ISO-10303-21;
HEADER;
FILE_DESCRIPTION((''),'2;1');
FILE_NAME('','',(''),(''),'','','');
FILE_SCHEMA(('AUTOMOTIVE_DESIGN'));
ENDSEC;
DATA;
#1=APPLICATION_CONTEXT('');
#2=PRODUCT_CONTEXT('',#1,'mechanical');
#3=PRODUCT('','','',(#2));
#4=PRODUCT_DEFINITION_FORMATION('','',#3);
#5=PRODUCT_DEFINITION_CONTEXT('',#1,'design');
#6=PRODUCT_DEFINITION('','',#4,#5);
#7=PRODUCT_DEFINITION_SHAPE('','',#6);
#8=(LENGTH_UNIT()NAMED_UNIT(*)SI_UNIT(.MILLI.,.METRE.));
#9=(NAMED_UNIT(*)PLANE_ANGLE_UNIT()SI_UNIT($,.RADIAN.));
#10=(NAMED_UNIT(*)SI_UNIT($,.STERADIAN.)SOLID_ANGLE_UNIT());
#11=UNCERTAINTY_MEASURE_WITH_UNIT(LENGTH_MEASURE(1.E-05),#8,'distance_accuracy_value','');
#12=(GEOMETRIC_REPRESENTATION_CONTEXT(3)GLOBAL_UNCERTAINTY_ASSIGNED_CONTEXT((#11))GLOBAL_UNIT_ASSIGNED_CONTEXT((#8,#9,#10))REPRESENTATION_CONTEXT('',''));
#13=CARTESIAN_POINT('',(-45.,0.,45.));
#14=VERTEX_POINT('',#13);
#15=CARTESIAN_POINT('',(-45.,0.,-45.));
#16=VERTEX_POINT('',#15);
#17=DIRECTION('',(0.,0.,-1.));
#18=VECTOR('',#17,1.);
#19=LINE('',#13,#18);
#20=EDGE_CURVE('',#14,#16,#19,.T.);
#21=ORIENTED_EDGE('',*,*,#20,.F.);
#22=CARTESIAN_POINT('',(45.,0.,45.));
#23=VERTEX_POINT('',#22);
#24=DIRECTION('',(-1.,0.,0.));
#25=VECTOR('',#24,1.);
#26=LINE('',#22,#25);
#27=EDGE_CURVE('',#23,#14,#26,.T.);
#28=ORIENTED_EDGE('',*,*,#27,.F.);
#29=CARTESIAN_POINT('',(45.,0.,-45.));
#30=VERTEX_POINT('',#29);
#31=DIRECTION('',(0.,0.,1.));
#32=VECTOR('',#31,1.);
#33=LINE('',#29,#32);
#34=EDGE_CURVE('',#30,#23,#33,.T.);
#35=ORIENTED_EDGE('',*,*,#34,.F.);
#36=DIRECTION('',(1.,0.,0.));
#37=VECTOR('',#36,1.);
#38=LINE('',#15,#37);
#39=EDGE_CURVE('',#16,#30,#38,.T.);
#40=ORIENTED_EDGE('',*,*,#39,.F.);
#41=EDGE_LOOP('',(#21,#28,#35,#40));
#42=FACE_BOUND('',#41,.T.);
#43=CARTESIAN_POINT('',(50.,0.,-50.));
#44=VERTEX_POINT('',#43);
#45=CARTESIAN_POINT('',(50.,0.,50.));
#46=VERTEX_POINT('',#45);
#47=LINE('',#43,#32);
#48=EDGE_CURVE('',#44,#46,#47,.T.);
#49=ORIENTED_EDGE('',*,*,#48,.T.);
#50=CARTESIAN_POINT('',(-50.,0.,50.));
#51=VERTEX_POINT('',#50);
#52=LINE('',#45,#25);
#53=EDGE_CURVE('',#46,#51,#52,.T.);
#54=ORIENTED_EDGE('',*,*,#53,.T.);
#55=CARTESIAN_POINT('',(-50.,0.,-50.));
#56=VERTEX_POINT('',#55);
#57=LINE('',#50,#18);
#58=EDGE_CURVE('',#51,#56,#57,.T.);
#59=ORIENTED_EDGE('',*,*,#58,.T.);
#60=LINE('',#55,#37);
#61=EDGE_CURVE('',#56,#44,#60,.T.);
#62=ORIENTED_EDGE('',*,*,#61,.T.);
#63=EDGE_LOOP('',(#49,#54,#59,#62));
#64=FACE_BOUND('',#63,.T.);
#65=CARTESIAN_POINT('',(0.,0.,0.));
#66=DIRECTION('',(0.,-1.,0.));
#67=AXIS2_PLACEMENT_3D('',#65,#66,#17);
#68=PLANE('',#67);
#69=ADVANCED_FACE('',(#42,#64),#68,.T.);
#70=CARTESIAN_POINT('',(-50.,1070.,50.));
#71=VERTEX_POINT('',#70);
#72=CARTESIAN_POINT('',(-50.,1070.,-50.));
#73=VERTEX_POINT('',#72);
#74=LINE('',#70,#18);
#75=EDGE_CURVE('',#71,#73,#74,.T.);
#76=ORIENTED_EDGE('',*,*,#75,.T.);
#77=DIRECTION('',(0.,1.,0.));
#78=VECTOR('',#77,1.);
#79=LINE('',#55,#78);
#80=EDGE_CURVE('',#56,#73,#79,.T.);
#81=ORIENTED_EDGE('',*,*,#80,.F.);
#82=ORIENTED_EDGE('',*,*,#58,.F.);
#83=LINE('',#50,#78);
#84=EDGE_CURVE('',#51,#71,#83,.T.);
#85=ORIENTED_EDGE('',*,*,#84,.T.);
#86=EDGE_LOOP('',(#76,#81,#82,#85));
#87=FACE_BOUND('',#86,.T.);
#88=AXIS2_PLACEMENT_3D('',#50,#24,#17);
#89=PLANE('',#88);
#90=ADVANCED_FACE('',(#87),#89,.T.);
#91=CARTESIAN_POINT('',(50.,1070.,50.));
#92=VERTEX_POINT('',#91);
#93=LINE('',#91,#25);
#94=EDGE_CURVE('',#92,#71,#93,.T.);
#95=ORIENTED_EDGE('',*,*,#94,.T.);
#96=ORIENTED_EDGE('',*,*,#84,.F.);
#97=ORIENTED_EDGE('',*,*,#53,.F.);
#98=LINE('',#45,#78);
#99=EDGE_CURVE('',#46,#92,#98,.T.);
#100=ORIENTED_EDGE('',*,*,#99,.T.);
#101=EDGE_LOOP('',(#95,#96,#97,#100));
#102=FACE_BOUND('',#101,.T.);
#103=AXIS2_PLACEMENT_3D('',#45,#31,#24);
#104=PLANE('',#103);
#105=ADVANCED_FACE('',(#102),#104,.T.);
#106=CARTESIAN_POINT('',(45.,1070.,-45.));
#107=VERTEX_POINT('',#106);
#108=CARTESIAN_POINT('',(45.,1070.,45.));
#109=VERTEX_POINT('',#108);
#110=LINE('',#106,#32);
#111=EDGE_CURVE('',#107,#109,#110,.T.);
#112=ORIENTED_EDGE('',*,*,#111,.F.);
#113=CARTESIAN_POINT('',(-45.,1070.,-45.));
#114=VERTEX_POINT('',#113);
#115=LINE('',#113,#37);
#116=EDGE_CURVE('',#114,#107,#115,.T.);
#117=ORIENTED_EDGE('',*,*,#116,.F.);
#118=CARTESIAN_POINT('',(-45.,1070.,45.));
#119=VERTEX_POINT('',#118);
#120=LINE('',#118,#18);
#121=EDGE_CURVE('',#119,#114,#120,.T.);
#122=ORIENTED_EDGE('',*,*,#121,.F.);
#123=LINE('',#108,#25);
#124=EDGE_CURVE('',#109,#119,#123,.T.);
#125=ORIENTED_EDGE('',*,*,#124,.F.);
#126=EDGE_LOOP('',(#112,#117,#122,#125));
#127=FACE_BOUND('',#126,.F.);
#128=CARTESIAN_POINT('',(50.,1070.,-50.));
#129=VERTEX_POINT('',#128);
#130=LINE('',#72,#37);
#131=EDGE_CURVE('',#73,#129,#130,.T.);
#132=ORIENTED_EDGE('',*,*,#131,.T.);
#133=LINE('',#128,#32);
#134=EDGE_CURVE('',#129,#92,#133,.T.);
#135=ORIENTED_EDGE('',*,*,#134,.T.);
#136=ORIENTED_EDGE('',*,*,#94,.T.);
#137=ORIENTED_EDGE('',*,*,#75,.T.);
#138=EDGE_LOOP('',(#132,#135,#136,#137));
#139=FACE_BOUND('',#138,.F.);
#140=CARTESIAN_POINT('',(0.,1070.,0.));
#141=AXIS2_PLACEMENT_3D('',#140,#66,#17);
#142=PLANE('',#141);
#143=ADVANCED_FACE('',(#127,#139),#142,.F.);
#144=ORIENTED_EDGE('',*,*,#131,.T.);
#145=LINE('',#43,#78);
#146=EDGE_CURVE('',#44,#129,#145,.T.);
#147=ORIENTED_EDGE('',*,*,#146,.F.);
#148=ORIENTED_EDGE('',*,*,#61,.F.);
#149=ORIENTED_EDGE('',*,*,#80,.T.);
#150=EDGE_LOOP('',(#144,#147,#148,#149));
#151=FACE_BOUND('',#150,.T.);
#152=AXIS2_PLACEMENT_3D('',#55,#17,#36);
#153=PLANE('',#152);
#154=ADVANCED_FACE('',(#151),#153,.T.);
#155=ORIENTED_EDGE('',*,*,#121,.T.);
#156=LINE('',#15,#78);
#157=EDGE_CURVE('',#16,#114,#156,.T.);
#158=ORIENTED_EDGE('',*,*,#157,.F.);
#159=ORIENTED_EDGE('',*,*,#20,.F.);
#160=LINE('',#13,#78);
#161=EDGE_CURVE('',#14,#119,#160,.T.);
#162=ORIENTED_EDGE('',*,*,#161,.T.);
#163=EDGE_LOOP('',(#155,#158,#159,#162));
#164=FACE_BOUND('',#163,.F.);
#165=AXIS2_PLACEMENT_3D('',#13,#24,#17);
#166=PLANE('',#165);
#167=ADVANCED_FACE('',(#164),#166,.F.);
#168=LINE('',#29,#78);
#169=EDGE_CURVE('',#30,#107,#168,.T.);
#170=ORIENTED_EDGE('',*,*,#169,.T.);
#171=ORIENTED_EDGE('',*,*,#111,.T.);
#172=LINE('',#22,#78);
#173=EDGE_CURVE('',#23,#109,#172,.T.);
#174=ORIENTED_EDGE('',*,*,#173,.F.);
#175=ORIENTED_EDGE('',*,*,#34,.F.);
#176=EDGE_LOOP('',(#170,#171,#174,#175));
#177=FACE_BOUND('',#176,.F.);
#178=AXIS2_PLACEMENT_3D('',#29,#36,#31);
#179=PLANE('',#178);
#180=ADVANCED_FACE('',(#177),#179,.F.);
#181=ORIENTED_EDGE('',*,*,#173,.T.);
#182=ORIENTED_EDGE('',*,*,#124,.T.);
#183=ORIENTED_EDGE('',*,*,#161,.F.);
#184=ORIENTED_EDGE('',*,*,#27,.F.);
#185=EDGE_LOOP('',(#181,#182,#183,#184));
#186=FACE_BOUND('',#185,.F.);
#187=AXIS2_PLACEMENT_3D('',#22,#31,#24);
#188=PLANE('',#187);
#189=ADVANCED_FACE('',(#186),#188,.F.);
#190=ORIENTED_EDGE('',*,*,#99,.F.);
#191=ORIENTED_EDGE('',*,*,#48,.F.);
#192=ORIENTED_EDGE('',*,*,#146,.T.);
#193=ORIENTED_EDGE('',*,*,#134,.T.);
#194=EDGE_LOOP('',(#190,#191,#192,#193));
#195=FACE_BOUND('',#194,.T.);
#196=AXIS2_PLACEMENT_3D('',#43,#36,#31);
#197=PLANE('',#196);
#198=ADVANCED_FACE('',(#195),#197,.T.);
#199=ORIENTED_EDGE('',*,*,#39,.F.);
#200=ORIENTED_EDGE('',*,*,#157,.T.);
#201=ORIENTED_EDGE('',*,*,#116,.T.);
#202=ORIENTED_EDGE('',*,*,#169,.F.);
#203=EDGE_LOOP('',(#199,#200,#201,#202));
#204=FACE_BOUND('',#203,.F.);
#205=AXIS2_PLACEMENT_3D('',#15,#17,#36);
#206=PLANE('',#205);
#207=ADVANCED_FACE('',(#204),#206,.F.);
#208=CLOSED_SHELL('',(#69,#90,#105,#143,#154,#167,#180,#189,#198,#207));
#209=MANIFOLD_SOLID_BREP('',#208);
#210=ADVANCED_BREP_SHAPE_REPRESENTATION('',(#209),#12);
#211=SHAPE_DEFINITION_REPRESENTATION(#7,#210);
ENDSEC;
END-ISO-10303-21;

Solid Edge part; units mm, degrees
sketch "Sketch1" plane through (0, 0, 0) normal (0, -1, 0) x (1, 0, 0)
  line L0 (-50, -50) -> (50, -50)
  line L1 (50, -50) -> (50, 50)
  line L2 (50, 50) -> (-50, 50)
  line L3 (-50, 50) -> (-50, -50)
  line L4 (45, 45) -> (-45, 45)
  line L5 (-45, 45) -> (-45, -45)
  line L6 (-45, -45) -> (45, -45)
  line L7 (45, -45) -> (45, 45)
  dimension "D1" = 5
extrude "Protrusion1" add sketch "Sketch1" against normal blind 1070
properties part number "1983-1000-002"
